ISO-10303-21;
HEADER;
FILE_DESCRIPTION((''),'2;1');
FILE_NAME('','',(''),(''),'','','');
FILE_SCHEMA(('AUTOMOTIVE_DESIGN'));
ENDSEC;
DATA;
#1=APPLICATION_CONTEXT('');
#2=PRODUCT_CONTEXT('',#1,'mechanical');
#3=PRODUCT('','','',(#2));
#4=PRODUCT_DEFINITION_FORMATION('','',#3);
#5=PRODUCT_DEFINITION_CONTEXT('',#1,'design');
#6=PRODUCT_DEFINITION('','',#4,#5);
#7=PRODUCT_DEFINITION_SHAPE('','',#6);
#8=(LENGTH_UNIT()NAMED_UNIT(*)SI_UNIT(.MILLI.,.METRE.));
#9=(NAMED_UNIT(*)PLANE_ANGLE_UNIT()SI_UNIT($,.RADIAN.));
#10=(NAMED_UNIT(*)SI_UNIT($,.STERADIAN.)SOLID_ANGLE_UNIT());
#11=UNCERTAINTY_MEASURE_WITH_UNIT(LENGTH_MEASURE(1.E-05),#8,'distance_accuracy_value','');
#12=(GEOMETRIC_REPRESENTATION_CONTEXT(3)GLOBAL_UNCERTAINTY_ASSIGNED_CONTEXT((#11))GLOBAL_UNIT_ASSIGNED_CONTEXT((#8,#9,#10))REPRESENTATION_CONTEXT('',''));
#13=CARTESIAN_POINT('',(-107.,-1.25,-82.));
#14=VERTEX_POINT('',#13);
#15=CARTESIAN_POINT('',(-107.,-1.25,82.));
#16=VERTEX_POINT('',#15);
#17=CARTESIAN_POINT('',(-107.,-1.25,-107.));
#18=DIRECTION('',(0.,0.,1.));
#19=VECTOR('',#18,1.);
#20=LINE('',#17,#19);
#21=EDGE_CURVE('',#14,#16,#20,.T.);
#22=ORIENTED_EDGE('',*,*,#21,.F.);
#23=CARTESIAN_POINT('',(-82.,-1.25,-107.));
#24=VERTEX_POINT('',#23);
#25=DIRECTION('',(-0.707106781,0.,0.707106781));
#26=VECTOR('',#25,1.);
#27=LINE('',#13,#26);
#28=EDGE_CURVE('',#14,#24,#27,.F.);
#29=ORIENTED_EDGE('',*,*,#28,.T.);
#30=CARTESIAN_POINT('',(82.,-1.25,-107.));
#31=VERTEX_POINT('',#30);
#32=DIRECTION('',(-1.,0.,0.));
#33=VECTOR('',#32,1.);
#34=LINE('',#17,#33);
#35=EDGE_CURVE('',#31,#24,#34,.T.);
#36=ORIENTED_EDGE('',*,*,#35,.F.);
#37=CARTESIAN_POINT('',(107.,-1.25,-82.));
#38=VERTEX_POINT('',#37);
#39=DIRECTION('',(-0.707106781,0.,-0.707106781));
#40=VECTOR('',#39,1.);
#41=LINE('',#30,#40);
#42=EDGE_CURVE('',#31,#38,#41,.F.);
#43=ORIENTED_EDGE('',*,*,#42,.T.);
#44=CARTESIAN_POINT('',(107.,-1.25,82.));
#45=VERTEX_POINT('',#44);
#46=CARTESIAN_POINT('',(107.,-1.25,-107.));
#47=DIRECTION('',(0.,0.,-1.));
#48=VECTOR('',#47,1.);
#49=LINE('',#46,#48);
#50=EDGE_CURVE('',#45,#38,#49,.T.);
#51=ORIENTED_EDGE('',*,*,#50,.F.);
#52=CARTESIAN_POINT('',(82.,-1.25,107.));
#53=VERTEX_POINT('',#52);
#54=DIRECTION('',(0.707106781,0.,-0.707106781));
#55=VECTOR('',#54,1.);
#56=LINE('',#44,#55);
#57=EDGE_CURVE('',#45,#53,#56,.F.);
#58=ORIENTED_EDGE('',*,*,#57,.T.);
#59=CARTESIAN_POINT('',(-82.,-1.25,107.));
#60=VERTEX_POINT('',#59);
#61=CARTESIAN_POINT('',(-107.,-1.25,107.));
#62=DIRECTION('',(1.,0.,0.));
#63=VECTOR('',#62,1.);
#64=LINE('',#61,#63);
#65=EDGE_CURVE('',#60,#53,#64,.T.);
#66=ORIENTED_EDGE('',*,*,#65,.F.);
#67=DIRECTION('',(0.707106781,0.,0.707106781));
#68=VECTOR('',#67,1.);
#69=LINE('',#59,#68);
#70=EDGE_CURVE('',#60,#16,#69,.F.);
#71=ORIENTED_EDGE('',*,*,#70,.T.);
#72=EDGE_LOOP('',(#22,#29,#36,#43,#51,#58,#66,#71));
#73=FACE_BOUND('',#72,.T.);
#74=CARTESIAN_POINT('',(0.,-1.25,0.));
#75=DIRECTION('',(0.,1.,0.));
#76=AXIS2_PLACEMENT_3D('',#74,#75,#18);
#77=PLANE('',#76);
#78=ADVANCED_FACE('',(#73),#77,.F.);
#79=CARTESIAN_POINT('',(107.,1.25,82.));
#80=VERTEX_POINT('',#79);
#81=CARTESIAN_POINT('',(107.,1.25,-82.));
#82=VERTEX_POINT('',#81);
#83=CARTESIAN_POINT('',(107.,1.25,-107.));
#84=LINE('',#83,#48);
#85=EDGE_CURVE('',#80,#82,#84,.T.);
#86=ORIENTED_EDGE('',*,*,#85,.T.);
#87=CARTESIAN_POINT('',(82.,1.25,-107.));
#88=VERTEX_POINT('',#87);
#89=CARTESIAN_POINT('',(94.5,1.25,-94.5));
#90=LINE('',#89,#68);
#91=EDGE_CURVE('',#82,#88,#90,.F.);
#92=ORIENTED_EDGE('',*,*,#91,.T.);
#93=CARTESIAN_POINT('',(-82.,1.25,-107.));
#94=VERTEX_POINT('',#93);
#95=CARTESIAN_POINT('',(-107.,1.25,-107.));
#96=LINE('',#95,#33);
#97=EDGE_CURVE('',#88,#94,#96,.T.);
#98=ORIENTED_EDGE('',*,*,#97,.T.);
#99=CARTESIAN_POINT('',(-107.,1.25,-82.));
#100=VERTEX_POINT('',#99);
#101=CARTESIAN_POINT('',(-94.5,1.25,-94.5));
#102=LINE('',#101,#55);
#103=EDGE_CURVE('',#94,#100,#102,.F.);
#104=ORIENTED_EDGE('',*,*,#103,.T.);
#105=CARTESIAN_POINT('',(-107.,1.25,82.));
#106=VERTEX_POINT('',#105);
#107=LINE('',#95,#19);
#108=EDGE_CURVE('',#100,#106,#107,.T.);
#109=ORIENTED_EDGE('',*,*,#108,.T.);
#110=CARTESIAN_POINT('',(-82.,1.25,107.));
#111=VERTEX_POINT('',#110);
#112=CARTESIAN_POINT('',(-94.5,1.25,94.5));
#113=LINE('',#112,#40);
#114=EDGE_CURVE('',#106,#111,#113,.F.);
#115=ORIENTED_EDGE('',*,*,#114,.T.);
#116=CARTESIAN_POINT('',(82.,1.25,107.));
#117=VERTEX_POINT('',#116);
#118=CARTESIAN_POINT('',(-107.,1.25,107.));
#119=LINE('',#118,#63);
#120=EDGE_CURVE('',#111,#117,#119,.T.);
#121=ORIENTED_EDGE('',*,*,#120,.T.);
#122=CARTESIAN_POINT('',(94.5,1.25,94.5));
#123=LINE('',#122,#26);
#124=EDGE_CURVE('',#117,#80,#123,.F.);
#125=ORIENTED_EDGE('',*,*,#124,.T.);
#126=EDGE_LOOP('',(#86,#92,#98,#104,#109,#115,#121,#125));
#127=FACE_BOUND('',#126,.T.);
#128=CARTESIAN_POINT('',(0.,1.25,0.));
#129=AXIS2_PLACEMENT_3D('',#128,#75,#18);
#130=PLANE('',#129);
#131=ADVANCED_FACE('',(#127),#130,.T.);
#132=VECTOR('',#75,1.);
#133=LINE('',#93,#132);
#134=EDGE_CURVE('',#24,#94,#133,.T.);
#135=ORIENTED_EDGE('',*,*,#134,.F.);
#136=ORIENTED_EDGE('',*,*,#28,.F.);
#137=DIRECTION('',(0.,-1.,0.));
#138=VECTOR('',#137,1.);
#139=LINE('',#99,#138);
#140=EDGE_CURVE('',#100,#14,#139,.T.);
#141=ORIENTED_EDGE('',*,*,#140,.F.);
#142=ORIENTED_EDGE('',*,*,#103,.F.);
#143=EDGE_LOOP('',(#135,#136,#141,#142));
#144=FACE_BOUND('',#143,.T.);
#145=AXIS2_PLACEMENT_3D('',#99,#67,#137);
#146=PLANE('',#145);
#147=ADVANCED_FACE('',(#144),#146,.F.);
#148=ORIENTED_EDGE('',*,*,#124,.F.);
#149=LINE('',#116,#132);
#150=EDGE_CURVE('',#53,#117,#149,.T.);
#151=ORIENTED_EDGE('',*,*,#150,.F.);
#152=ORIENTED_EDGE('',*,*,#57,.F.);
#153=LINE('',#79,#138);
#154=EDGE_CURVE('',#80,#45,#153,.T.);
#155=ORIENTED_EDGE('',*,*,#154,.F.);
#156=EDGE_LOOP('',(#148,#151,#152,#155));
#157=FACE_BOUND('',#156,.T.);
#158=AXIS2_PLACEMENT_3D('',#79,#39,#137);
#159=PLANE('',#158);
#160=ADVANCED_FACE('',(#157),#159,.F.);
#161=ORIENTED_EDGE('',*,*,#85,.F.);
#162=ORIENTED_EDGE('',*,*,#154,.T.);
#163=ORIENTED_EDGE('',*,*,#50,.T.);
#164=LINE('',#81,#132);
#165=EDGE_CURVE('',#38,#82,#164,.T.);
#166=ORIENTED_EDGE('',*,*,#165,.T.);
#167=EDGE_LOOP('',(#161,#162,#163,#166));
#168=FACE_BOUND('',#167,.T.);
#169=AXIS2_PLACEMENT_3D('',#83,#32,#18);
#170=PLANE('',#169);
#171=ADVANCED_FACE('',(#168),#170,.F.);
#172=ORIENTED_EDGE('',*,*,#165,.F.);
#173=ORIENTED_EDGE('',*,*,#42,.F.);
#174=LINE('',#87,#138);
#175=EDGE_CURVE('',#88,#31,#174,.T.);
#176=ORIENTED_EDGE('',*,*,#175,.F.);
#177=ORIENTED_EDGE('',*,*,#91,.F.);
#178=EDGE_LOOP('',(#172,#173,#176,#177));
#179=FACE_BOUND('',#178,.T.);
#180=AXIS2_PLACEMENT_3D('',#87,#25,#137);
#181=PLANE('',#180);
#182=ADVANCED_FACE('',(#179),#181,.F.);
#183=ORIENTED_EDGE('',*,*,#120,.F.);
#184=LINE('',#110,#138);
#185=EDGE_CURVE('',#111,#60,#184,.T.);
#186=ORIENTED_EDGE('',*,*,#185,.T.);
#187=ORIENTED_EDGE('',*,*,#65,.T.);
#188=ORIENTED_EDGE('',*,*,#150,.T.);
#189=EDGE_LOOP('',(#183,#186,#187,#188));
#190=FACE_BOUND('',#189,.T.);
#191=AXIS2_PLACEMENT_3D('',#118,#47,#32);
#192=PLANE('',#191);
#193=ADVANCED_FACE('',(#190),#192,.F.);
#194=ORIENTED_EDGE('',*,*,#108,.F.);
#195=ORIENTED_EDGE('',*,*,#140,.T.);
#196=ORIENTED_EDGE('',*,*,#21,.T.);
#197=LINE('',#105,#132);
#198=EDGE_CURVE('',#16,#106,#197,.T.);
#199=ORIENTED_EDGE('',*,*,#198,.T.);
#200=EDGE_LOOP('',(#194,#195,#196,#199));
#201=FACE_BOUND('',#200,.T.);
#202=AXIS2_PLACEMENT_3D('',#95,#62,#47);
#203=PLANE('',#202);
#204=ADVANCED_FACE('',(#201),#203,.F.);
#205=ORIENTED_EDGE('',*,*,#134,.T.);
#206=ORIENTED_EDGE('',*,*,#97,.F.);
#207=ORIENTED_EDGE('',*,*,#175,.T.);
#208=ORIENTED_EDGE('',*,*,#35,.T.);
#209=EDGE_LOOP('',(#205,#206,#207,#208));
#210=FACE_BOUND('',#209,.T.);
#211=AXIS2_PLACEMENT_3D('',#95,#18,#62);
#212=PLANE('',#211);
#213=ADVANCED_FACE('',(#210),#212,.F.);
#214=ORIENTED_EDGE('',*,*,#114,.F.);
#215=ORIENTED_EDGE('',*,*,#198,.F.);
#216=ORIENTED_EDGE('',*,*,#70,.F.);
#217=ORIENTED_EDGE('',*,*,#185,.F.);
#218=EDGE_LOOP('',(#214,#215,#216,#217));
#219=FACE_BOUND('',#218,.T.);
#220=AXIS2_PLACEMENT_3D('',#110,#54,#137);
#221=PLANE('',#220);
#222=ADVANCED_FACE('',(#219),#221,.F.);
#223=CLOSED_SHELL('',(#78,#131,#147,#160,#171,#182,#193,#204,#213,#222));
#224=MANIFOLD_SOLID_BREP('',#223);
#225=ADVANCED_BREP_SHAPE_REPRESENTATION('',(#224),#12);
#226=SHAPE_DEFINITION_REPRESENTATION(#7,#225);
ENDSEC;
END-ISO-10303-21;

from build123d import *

# Parameters (mm, degrees)
ESBO_O1_W                = 214
ESBO_O1_H                = 214
ESBO_O1_R                = 2.5
RESSALTO_EXTRUS_O1_DEPTH = 1.25
CHANFRO1_SIZE            = 25


with BuildPart() as part:
    # Esboço1 → Ressalto-extrusão1 (new, symmetric)
    with BuildSketch(Plane(origin=(0, 0, 0), x_dir=(1, 0, 0), z_dir=(0, 1, 0))):
        Rectangle(ESBO_O1_W, ESBO_O1_H)
        with Locations(Location((100, 100, 0), (0, 0, 270))):
            Circle(ESBO_O1_R, mode=Mode.SUBTRACT)
        with Locations(Location((-100, 100, 0), (0, 0, 90))):
            Circle(ESBO_O1_R, mode=Mode.SUBTRACT)
        with Locations(Location((100, -100, 0), (0, 0, 90))):
            Circle(ESBO_O1_R, mode=Mode.SUBTRACT)
        with Locations(Location((-100, -100, 0), (0, 0, 270))):
            Circle(ESBO_O1_R, mode=Mode.SUBTRACT)
    extrude(amount=RESSALTO_EXTRUS_O1_DEPTH, both=True)

    # Chanfro1
    chanfro1_edges = [part.edges().sort_by_distance(p)[0] for p in [
        (-107, 0, 107),
        (107, 0, 107),
        (107, 0, -107),
        (-107, 0, -107),
    ]]
    chamfer(chanfro1_edges, length=CHANFRO1_SIZE)


solid = part.part
